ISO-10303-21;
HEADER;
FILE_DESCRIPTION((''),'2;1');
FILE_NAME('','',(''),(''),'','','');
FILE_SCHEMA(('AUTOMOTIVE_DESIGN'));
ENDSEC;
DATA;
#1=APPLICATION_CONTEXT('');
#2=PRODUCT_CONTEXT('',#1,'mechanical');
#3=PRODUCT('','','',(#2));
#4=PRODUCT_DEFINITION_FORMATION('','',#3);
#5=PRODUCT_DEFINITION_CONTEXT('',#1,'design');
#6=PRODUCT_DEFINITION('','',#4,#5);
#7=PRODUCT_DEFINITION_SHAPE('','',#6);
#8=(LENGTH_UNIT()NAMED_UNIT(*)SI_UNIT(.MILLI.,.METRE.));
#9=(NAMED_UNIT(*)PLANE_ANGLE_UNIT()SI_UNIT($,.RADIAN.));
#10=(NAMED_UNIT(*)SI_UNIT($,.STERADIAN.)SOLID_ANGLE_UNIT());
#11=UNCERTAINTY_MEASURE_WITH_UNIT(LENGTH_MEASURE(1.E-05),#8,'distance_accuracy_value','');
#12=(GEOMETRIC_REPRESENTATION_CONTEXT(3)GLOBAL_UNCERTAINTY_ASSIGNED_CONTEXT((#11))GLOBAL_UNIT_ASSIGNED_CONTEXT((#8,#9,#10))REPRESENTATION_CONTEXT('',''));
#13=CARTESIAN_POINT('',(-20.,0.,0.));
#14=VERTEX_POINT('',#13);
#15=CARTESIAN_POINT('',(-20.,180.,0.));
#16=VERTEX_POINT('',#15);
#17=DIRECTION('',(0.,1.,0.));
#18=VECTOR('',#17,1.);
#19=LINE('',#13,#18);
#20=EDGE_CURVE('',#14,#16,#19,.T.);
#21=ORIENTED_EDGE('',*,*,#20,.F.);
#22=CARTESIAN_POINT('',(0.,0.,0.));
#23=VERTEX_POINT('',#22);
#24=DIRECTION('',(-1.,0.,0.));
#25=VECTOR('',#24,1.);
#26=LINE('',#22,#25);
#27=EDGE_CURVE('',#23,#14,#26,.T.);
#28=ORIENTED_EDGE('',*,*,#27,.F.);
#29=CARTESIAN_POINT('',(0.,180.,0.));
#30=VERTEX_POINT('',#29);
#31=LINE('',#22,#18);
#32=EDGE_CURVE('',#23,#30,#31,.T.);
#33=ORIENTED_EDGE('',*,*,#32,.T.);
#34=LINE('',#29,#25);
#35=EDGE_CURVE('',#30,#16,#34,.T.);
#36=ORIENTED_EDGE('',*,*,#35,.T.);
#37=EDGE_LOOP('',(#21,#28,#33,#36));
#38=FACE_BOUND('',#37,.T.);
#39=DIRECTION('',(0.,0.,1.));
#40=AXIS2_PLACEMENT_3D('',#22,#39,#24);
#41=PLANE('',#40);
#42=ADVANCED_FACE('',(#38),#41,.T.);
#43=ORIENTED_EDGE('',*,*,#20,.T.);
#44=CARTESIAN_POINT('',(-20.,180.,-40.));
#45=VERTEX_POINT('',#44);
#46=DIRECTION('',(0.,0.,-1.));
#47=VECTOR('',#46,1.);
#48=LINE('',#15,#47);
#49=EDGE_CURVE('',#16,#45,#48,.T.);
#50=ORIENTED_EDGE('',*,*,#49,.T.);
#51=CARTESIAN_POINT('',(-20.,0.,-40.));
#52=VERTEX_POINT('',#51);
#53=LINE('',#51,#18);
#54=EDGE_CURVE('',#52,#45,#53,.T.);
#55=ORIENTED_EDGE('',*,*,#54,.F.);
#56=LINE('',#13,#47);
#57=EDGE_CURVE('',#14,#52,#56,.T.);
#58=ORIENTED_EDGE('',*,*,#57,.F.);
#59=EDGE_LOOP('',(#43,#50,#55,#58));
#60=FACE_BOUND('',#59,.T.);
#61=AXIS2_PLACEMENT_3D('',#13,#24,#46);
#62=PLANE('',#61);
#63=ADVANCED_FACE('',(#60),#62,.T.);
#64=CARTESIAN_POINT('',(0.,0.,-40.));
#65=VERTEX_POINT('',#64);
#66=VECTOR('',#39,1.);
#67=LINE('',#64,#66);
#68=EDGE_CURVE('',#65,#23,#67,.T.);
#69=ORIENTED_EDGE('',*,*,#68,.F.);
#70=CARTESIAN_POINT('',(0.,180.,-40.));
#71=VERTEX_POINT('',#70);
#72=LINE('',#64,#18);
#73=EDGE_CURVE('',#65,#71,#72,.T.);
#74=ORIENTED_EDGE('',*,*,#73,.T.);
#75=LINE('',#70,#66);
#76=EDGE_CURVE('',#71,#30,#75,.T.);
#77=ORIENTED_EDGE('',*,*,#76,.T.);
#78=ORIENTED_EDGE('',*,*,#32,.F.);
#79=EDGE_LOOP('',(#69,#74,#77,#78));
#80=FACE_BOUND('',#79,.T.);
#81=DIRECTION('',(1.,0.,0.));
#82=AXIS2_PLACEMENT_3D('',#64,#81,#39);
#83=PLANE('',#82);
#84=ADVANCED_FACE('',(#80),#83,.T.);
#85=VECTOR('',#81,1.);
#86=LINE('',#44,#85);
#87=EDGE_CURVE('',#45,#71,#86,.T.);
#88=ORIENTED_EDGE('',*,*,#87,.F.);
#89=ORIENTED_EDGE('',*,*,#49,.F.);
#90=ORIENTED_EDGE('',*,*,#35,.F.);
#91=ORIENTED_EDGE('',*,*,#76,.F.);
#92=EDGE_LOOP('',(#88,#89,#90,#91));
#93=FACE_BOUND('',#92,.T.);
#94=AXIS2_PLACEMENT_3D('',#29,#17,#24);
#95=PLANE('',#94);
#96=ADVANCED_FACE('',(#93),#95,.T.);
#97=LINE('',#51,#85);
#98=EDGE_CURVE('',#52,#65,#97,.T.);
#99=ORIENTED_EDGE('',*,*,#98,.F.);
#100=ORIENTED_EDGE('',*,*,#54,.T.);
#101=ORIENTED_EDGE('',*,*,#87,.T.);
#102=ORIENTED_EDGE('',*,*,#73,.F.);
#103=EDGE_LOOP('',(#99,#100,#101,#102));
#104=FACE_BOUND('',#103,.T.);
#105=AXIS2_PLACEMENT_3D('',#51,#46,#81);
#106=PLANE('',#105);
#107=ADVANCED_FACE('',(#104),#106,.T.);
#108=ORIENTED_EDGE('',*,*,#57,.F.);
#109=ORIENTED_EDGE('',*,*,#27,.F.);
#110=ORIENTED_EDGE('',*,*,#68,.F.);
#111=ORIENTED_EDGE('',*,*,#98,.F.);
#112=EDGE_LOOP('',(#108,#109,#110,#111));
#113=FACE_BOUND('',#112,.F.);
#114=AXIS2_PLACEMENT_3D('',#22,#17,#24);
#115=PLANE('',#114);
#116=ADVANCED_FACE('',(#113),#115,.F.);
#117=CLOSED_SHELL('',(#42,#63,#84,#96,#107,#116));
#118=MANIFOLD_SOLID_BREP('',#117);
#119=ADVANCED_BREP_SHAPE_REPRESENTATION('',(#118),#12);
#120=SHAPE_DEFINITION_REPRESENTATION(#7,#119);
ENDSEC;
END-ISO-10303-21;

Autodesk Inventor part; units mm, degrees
ref_plane "YZ Plane" through (0, 0, 0) normal (1, 0, 0) x (0, 1, 0)
ref_plane "XZ Plane" through (0, 0, 0) normal (0, 1, 0) x (-1, 0, 0)
ref_plane "XY Plane" through (0, 0, 0) normal (0, 0, 1) x (1, 0, 0)
sketch "草图1" plane through (0, 0, 0) normal (0, 1, 0) x (-1, 0, 0)
  line L0 (0, 0) -> (20, 0)
  line L1 (20, 0) -> (20, -40)
  line L2 (20, -40) -> (0, -40)
  line L3 (0, -40) -> (0, 0)
  dimension "d0" = 40
  dimension "d1" = 20
extrude "拉伸1" add sketch "草图1" along normal blind 180
properties part number "欧标铝-180mm"
